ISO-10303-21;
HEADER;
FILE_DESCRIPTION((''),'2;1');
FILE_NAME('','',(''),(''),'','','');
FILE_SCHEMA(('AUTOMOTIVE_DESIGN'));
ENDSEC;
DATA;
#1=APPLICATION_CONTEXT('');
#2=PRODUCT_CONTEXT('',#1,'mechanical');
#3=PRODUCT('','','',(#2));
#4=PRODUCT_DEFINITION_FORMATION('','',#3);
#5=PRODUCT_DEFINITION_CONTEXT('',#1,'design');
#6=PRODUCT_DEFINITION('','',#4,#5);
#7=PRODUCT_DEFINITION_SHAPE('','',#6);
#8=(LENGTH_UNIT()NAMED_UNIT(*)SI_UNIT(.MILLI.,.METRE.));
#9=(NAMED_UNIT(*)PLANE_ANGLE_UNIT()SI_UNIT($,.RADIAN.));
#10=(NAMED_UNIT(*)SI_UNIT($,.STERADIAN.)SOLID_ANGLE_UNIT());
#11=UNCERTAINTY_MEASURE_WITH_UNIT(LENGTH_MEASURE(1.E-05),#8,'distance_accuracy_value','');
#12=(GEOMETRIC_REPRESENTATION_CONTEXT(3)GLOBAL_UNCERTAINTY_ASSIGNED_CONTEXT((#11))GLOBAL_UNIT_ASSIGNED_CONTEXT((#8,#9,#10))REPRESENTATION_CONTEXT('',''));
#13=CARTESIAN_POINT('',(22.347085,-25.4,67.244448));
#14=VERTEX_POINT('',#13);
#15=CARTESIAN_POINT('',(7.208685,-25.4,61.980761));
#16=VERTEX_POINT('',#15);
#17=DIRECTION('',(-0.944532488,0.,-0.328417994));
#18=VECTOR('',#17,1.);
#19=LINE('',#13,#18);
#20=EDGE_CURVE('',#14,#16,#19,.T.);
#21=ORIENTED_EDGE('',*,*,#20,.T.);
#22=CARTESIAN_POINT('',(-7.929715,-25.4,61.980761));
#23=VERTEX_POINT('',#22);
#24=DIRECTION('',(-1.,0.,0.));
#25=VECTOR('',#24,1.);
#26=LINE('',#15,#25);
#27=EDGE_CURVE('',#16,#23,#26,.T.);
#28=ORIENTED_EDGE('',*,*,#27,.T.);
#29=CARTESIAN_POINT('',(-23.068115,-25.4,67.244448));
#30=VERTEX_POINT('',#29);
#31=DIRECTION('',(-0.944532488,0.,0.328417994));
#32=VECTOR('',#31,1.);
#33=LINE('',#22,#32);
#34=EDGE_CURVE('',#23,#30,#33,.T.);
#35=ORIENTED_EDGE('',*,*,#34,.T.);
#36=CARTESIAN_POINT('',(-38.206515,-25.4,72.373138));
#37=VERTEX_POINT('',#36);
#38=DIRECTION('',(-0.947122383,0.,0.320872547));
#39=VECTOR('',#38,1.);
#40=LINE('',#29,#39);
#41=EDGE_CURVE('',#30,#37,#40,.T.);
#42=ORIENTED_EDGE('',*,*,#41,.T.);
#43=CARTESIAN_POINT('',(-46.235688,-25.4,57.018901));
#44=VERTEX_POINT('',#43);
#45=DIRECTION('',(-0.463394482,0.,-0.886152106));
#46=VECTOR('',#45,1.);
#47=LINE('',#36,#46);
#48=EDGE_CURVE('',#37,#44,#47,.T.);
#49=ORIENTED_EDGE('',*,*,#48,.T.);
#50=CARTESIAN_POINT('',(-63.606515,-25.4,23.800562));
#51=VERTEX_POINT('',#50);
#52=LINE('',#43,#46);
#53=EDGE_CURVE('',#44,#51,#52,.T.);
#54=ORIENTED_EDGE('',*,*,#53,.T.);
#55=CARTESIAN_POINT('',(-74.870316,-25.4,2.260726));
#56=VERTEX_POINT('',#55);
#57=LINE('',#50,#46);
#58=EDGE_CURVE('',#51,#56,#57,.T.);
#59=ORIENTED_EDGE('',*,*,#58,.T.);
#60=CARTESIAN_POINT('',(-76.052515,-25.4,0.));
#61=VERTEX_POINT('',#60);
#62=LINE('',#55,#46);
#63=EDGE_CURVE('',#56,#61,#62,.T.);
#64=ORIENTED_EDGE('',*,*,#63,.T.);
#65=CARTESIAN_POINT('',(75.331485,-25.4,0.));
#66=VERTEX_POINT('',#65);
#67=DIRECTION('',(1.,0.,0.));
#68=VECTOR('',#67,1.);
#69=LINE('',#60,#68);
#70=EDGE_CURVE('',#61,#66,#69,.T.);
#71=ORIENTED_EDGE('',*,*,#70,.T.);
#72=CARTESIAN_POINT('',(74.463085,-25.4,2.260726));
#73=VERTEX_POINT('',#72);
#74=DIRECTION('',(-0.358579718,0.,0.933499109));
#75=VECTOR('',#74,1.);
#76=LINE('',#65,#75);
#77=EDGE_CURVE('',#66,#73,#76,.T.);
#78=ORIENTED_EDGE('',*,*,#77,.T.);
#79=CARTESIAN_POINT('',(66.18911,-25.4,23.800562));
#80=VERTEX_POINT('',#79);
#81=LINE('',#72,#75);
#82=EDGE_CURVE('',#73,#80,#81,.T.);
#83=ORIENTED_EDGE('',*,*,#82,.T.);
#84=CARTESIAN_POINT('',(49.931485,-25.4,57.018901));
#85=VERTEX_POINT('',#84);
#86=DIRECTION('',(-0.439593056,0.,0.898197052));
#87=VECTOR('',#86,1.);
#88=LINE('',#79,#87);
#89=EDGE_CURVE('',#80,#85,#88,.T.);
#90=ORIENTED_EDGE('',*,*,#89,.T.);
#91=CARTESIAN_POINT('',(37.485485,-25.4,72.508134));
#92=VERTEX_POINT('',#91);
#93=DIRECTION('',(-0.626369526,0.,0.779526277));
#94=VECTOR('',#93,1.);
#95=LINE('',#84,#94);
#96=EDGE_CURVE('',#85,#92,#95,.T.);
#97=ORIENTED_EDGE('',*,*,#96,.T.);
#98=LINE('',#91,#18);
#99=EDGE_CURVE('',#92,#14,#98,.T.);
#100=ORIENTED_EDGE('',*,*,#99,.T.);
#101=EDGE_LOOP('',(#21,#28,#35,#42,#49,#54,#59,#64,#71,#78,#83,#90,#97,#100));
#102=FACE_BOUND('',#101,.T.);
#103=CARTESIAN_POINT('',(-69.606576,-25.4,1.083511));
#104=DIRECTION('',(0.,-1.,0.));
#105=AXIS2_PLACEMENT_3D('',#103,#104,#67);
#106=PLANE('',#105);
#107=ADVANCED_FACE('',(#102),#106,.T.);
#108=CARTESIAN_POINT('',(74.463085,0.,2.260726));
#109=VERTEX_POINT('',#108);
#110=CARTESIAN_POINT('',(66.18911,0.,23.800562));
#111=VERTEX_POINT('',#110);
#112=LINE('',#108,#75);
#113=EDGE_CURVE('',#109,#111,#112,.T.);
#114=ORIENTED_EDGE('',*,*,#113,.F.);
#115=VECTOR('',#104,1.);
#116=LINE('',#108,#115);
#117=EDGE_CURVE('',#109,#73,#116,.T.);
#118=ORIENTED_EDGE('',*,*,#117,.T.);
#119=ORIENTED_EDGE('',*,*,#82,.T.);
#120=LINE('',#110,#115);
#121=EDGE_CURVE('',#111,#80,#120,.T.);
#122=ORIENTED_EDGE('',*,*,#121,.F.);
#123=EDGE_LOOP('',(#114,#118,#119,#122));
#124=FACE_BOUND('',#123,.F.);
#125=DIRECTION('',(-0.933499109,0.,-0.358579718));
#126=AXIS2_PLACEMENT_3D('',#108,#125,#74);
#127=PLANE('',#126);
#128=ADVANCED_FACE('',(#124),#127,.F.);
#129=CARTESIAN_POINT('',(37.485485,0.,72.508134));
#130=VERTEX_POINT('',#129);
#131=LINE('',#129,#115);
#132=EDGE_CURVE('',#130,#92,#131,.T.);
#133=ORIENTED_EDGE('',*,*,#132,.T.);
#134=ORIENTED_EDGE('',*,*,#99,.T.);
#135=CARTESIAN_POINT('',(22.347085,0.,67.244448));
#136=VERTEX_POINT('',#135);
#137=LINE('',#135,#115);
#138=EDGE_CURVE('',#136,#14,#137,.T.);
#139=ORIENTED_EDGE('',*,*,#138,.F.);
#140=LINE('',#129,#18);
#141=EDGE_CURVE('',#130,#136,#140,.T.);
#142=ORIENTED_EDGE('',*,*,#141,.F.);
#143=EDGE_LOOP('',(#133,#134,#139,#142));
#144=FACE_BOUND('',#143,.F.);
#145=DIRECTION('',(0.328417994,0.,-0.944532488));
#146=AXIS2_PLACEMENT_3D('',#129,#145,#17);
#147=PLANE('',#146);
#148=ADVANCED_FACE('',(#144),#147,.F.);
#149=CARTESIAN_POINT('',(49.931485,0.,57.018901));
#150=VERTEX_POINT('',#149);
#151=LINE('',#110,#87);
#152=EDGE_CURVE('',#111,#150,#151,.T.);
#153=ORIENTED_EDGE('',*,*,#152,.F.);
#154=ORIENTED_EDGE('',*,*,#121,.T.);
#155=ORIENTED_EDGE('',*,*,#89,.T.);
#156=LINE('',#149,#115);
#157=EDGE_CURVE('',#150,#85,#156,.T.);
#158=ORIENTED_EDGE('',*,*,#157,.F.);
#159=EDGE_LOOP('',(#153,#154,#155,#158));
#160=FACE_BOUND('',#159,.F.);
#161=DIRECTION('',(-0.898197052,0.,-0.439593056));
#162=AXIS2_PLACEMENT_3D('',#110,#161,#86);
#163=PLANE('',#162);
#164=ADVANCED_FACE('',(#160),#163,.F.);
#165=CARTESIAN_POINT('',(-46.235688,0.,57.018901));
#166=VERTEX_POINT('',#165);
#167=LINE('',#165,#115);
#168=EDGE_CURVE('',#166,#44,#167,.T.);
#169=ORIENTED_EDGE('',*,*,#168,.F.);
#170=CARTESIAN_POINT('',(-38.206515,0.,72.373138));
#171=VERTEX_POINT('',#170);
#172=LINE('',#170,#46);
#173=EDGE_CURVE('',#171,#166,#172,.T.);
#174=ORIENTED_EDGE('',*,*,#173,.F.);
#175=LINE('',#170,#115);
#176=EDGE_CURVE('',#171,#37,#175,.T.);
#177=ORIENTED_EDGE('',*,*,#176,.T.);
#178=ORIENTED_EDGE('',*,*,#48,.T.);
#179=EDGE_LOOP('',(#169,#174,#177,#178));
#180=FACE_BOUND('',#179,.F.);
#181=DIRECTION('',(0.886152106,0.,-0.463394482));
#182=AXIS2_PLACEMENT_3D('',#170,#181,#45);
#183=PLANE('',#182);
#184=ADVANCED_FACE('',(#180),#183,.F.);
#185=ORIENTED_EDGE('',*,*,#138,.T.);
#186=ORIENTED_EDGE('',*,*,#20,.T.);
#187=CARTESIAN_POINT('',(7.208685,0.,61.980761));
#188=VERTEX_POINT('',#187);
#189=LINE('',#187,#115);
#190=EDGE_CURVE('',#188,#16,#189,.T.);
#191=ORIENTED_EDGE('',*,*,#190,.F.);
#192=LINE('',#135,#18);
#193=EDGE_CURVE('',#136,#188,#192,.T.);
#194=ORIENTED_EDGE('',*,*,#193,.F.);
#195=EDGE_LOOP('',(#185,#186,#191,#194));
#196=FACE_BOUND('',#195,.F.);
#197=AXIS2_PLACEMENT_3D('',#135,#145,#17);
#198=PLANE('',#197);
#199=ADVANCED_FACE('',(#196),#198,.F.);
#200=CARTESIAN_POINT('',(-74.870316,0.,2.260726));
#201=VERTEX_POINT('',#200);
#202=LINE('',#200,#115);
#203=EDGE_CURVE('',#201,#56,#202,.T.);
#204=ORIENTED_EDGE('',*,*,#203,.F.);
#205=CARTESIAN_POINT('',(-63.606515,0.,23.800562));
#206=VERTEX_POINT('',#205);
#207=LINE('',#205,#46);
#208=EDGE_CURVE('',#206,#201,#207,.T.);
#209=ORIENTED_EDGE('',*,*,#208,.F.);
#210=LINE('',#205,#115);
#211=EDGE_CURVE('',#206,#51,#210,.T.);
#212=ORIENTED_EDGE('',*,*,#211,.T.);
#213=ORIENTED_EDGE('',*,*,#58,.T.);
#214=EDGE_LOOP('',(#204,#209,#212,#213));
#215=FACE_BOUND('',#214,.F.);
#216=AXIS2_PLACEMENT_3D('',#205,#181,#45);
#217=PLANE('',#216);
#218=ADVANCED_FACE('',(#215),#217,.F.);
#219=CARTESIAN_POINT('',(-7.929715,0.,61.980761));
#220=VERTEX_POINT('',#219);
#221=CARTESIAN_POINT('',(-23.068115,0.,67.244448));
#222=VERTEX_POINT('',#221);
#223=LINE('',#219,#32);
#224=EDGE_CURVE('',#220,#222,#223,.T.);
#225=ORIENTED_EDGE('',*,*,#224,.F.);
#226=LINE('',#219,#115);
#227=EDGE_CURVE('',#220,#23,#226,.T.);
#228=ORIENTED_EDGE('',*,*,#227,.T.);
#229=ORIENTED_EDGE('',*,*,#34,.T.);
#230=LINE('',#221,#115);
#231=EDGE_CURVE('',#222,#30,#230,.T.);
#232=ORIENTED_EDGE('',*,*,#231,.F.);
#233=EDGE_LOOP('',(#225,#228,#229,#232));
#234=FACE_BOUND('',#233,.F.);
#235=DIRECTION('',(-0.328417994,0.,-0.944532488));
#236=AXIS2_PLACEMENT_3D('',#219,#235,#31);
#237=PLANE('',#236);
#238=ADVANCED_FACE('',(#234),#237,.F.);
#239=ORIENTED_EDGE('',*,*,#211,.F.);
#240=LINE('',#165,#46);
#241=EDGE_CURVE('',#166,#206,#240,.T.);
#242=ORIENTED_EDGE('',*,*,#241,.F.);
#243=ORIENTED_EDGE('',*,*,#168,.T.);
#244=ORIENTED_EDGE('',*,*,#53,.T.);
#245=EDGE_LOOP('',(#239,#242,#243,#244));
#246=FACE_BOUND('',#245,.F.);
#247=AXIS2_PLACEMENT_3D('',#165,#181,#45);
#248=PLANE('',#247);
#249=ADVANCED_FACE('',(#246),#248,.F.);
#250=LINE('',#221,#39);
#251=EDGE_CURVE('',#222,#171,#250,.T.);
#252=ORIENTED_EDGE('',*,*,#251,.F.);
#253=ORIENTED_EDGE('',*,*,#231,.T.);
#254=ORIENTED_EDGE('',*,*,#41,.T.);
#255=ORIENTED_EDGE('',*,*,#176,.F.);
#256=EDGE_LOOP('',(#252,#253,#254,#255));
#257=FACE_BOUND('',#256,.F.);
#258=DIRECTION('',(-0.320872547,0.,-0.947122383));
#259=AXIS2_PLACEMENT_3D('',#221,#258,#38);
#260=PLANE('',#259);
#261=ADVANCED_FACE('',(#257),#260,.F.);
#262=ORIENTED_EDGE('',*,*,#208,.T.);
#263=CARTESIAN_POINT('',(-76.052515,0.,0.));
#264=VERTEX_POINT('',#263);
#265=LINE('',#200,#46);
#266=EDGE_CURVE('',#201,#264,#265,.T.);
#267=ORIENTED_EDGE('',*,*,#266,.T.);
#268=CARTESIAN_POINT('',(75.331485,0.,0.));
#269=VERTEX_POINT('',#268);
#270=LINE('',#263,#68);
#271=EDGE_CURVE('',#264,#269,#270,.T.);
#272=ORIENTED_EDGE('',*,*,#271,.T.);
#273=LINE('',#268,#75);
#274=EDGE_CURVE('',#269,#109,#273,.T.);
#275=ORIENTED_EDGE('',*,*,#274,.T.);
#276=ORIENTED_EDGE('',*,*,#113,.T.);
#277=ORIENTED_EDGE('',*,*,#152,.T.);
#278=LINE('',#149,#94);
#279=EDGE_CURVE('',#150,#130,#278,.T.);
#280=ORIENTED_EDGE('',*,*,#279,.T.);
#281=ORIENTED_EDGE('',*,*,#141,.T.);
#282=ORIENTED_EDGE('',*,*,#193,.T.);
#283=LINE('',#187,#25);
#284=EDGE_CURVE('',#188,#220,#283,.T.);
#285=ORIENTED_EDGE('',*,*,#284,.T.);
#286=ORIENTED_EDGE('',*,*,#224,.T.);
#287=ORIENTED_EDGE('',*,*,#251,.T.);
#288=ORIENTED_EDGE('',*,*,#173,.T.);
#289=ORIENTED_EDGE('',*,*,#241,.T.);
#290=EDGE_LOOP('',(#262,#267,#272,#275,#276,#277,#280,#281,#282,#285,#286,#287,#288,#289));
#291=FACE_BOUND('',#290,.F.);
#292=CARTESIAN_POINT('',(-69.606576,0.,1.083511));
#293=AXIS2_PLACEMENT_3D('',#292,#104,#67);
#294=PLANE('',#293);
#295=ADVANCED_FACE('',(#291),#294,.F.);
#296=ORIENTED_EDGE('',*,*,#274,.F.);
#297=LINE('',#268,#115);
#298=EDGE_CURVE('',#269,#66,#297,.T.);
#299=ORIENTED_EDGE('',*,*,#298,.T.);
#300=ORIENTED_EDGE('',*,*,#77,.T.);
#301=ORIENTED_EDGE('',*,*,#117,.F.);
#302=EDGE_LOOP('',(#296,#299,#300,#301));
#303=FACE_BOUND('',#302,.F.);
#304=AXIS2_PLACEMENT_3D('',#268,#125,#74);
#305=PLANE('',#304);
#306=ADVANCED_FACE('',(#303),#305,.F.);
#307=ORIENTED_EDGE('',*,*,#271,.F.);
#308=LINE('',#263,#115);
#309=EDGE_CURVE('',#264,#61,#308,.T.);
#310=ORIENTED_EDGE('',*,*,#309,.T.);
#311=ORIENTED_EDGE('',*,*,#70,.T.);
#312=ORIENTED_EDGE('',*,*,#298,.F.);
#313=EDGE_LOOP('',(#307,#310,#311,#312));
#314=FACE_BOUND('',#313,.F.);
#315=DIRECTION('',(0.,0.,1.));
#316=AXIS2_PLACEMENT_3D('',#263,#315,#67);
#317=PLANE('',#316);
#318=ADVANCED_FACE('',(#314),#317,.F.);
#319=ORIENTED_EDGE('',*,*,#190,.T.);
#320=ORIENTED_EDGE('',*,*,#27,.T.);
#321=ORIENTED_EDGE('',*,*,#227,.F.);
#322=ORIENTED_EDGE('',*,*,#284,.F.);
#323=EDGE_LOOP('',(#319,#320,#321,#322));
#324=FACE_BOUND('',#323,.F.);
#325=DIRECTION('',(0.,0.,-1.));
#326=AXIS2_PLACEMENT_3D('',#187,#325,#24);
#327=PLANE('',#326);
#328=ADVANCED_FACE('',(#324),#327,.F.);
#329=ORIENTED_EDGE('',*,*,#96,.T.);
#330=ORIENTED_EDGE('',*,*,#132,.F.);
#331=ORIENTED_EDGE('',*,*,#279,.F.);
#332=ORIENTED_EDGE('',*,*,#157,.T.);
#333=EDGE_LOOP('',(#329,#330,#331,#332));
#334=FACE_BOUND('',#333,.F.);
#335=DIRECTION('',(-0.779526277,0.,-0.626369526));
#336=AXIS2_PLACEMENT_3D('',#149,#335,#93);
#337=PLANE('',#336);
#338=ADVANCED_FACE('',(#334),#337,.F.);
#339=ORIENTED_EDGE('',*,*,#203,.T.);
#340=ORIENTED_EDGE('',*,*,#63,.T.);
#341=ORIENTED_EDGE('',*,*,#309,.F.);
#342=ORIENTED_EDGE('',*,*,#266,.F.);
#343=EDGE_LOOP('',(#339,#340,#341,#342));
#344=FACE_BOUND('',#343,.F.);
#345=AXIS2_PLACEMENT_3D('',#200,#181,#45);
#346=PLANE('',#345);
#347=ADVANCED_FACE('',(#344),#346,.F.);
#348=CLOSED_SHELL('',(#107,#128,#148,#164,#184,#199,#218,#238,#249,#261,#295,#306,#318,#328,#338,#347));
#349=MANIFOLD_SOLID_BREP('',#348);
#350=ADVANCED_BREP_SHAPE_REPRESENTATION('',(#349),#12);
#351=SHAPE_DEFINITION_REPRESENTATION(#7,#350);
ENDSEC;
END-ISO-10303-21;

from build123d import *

# Parameters (mm, degrees)
F0_W     = 17.3708267914
F0_H     = 2.2607262182
F0_W_2   = 15.1384
F0_W_3   = 12.446
F0_W_4   = 16.2576251012
F0_H_2   = 58.7574650598
F1_DEPTH = 25.4


with BuildPart() as f1:
    # F0 (on Front) → F1 (new body)
    with BuildSketch(Plane.XZ):
        Polygon((-74.8703159117, 2.2607262182), (-76.0525148221, 0), (-63.6065148221, 0), (-63.6065148221, 2.2607262182), align=None)
        with Locations((-54.9211014264, 1.1303631091)):
            Rectangle(F0_W, F0_H)
        Polygon((-63.6065148221, 23.8005620413), (-74.8703159117, 2.2607262182), (-63.6065148221, 2.2607262182), align=None)
        Polygon((-46.2356880307, 2.2607262182), (-46.2356880307, 0), (-38.7145148221, 0), (-38.2065148221, 0), (-38.2065148221, 2.2607262182), align=None)
        Polygon((-63.6065148221, 23.8005620413), (-63.6065148221, 2.2607262182), (-46.2356880307, 2.2607262182), (-46.2356880307, 57.0189005241), align=None)
        Polygon((-46.2356880307, 57.0189005241), (-46.2356880307, 2.2607262182), (-38.2065148221, 2.2607262182), (-38.2065148221, 72.3731376358), align=None)
        Polygon((-38.2065148221, 2.2607262182), (-38.2065148221, 0), (-29.3896086514, 0), (-23.0681148221, 0), (-23.0681148221, 2.2607262182), align=None)
        Polygon((-38.2065148221, 72.3731376358), (-38.2065148221, 2.2607262182), (-23.0681148221, 2.2607262182), (-23.0681148221, 61.018191278), (-23.0681148221, 67.2444477677), align=None)
        with Locations((-15.4989148221, 1.1303631091)):
            Rectangle(F0_W_2, F0_H)
        Polygon((-7.9297148221, 61.9807612079), (-23.0681148221, 67.2444477677), (-23.0681148221, 61.018191278), (-7.9297148221, 61.018191278), align=None)
        Polygon((7.2086851779, 2.2607262182), (-7.9297148221, 2.2607262182), (-7.9297148221, 0), (2.1625517599, 0), (7.2086851779, 0), align=None)
        Polygon((-7.9297148221, 61.018191278), (-7.9297148221, 2.2607262182), (7.2086851779, 2.2607262182), (7.2086851779, 61.9807612079), (-7.9297148221, 61.9807612079), align=None)
        with Locations((14.7778851779, 1.1303631091)):
            Rectangle(F0_W_2, F0_H)
        Polygon((7.2086851779, 61.9807612079), (7.2086851779, 2.2607262182), (22.3470851779, 2.2607262182), (22.3470851779, 67.2444477677), align=None)
        with Locations((29.9162851779, 1.1303631091)):
            Rectangle(F0_W_2, F0_H)
        Polygon((22.3470851779, 67.2444477677), (22.3470851779, 2.2607262182), (37.4854851779, 2.2607262182), (37.4854851779, 72.5081343276), align=None)
        with Locations((43.7084851779, 1.1303631091)):
            Rectangle(F0_W_3, F0_H)
        Polygon((37.4854851779, 72.5081343276), (37.4854851779, 2.2607262182), (49.9314851779, 2.2607262182), (49.9314851779, 57.0189005241), align=None)
        with Locations((58.0602977285, 1.1303631091)):
            Rectangle(F0_W_4, F0_H)
        Polygon((49.9314851779, 57.0189005241), (49.9314851779, 2.2607262182), (66.1891102791, 2.2607262182), (66.1891102791, 23.8005620413), align=None)
        Polygon((74.4630852387, 2.2607262182), (66.1891102791, 2.2607262182), (66.1891102791, 0), (75.3314851779, 0), align=None)
        Polygon((66.1891102791, 23.8005620413), (66.1891102791, 2.2607262182), (74.4630852387, 2.2607262182), align=None)
        with Locations((-15.4989148221, 31.6394587481)):
            Rectangle(F0_W_2, F0_H_2)
    extrude(amount=F1_DEPTH)


solid = f1.part
